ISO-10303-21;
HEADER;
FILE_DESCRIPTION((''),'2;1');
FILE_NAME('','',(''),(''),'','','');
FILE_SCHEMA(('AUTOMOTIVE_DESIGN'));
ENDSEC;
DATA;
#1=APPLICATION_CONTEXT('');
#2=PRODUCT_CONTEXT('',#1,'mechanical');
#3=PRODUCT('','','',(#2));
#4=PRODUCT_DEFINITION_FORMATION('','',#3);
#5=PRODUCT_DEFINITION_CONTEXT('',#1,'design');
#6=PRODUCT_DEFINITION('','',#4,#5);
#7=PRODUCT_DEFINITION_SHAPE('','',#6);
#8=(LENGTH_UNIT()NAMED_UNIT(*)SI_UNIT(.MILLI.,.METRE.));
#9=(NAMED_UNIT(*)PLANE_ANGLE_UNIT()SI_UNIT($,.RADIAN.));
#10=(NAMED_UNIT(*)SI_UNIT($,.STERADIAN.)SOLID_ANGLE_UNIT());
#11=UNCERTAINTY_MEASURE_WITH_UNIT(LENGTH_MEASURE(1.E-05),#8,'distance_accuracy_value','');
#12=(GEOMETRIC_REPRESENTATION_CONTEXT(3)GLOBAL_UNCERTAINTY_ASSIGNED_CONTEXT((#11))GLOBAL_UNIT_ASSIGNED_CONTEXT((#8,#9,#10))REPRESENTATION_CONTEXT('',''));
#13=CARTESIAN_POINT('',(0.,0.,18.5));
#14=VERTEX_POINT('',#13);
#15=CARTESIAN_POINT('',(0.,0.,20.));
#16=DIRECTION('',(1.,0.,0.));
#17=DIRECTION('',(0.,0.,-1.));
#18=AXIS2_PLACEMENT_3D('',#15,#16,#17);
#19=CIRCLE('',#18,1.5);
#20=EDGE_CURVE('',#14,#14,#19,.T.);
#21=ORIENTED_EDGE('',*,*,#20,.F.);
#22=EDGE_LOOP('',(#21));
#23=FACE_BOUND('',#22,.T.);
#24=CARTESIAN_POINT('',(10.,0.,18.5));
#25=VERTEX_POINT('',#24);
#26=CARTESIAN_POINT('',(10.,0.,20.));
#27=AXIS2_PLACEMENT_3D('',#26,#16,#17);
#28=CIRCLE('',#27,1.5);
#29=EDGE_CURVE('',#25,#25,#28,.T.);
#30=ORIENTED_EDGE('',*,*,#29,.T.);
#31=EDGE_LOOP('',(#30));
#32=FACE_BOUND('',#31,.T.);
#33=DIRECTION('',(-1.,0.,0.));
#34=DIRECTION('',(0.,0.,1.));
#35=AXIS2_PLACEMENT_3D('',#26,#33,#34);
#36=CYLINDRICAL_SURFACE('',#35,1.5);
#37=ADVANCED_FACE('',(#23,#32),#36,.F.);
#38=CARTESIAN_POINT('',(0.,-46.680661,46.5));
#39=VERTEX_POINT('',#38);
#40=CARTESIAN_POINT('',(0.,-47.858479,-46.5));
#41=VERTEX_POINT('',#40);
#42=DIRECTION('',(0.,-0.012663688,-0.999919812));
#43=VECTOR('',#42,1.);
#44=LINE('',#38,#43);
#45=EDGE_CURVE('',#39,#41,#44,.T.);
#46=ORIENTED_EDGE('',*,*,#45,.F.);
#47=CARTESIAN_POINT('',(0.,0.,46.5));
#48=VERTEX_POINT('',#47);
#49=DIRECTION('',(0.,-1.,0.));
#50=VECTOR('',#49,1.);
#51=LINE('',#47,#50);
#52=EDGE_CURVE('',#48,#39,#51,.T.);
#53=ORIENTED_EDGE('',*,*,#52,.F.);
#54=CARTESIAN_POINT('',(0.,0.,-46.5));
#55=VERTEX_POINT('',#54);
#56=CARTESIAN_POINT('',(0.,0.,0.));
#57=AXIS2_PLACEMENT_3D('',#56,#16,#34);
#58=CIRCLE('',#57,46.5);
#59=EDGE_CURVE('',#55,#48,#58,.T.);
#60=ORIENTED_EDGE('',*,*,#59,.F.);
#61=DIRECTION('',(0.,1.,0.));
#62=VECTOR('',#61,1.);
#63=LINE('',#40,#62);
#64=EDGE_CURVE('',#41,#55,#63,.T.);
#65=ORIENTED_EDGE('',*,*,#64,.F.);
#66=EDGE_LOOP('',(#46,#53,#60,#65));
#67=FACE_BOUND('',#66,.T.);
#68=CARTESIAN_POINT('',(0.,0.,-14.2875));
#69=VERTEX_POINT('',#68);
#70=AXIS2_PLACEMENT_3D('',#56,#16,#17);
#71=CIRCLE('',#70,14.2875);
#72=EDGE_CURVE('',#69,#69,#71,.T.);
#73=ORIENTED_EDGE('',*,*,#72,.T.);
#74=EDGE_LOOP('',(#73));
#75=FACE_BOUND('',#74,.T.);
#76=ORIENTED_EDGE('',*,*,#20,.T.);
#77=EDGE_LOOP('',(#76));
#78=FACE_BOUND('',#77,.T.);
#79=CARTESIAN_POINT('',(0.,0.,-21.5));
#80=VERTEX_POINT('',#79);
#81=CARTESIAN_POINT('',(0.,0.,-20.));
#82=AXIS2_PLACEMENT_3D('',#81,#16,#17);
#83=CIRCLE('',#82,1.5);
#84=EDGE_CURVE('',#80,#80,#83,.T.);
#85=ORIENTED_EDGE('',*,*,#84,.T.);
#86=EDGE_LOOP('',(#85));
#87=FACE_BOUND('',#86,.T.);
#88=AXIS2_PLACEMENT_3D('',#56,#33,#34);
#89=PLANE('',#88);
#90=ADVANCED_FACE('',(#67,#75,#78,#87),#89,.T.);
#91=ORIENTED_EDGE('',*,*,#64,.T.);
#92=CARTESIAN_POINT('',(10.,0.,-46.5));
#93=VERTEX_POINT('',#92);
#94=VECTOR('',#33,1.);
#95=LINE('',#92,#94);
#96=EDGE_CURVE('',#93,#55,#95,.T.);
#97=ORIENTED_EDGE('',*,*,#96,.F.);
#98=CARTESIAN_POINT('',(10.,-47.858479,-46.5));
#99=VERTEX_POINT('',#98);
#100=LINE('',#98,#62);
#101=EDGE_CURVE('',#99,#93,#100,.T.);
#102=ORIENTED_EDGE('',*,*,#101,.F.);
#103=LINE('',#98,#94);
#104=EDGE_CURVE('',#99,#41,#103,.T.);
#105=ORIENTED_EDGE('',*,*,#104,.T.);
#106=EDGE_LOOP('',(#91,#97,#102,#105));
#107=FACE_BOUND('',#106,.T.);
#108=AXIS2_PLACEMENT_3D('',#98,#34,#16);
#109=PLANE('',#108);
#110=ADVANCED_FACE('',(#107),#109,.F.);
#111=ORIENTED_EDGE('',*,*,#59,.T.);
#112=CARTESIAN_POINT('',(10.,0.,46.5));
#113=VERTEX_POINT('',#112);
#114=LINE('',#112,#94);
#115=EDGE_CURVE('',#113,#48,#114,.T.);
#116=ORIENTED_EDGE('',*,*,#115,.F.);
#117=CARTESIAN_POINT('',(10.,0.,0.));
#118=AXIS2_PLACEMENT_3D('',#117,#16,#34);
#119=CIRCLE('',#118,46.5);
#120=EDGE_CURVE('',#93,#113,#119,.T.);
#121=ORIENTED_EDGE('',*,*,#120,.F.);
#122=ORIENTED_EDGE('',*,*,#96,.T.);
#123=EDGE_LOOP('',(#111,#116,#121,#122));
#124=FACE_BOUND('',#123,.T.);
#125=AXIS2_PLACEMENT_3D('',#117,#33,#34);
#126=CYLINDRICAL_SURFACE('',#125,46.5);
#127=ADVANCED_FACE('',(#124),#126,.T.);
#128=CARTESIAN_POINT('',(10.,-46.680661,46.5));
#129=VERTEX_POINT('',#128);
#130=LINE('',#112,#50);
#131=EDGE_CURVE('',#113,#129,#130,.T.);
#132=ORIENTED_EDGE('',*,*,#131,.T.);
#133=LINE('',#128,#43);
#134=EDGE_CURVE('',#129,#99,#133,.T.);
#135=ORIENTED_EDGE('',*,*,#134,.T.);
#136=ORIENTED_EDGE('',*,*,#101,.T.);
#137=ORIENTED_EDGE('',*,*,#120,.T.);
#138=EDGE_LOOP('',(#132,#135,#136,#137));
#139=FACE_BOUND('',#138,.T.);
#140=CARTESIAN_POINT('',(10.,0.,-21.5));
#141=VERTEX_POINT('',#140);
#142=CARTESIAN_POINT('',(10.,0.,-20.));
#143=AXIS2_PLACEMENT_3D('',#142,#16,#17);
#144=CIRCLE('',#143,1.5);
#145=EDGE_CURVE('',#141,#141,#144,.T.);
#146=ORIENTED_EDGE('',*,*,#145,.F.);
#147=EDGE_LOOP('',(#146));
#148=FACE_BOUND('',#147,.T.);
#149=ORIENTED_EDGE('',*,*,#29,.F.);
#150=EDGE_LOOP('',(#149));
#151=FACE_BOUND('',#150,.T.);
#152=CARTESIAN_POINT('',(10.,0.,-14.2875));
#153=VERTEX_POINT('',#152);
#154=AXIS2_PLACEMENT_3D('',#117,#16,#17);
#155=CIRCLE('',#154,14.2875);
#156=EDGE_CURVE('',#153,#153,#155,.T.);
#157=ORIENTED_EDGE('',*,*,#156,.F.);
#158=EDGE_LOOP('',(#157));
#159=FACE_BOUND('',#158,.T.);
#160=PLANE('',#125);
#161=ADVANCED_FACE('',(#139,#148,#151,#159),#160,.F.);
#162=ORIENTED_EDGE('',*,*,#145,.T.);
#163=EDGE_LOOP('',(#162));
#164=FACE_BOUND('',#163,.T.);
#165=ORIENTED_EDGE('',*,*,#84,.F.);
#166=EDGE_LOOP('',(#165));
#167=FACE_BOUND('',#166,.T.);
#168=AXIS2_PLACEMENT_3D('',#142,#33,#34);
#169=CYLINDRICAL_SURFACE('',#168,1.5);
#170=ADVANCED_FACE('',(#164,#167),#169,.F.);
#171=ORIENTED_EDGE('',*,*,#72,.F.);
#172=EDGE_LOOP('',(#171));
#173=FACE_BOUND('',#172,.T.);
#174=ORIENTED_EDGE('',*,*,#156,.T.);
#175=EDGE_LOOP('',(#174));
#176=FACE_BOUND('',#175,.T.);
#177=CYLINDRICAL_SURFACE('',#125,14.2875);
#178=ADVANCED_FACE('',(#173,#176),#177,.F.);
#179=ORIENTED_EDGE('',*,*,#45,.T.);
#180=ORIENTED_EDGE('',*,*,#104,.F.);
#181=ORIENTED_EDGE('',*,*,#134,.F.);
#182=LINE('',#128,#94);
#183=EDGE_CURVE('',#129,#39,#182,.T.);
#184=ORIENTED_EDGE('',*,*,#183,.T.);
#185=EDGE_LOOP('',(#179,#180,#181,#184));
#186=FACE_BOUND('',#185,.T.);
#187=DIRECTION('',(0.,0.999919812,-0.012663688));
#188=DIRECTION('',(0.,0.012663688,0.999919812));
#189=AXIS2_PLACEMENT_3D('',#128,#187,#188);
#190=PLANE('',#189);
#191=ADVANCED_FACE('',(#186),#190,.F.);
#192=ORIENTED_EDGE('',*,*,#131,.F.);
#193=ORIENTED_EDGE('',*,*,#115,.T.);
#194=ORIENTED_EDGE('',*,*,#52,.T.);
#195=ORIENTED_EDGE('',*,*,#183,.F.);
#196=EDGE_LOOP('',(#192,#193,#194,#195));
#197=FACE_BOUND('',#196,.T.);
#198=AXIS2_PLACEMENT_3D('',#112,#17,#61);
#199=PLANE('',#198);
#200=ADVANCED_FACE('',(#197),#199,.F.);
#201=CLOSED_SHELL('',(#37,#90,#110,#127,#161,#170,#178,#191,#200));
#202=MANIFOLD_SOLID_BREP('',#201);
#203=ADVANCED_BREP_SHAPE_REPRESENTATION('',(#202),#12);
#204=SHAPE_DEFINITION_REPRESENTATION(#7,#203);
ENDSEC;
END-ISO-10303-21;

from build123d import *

# Parameters (mm, degrees)
SKETCH1_R           = 14.2875
SKETCH1_R_2         = 1.5
BOSS_EXTRUDE1_DEPTH = 10


with BuildPart() as part:
    # Sketch1 → Boss-Extrude1 (new body)
    with BuildSketch(Plane(origin=(0, 0, 0), x_dir=(0, 0, -1), z_dir=(1, 0, 0))):
        with BuildLine():
            Line((-46.5, 0), (-46.5, -46.680661448))
            Line((-46.5, -46.680661448), (46.5, -47.858478877))
            Line((46.5, -47.858478877), (46.5, 0))
            ThreePointArc((46.5, 0), (0, 46.5), (-46.5, 0))
        make_face()
        Circle(SKETCH1_R, mode=Mode.SUBTRACT)
        with Locations((20, 0)):
            Circle(SKETCH1_R_2, mode=Mode.SUBTRACT)
        with Locations((-20, 0)):
            Circle(SKETCH1_R_2, mode=Mode.SUBTRACT)
    extrude(amount=BOSS_EXTRUDE1_DEPTH)


solid = part.part
